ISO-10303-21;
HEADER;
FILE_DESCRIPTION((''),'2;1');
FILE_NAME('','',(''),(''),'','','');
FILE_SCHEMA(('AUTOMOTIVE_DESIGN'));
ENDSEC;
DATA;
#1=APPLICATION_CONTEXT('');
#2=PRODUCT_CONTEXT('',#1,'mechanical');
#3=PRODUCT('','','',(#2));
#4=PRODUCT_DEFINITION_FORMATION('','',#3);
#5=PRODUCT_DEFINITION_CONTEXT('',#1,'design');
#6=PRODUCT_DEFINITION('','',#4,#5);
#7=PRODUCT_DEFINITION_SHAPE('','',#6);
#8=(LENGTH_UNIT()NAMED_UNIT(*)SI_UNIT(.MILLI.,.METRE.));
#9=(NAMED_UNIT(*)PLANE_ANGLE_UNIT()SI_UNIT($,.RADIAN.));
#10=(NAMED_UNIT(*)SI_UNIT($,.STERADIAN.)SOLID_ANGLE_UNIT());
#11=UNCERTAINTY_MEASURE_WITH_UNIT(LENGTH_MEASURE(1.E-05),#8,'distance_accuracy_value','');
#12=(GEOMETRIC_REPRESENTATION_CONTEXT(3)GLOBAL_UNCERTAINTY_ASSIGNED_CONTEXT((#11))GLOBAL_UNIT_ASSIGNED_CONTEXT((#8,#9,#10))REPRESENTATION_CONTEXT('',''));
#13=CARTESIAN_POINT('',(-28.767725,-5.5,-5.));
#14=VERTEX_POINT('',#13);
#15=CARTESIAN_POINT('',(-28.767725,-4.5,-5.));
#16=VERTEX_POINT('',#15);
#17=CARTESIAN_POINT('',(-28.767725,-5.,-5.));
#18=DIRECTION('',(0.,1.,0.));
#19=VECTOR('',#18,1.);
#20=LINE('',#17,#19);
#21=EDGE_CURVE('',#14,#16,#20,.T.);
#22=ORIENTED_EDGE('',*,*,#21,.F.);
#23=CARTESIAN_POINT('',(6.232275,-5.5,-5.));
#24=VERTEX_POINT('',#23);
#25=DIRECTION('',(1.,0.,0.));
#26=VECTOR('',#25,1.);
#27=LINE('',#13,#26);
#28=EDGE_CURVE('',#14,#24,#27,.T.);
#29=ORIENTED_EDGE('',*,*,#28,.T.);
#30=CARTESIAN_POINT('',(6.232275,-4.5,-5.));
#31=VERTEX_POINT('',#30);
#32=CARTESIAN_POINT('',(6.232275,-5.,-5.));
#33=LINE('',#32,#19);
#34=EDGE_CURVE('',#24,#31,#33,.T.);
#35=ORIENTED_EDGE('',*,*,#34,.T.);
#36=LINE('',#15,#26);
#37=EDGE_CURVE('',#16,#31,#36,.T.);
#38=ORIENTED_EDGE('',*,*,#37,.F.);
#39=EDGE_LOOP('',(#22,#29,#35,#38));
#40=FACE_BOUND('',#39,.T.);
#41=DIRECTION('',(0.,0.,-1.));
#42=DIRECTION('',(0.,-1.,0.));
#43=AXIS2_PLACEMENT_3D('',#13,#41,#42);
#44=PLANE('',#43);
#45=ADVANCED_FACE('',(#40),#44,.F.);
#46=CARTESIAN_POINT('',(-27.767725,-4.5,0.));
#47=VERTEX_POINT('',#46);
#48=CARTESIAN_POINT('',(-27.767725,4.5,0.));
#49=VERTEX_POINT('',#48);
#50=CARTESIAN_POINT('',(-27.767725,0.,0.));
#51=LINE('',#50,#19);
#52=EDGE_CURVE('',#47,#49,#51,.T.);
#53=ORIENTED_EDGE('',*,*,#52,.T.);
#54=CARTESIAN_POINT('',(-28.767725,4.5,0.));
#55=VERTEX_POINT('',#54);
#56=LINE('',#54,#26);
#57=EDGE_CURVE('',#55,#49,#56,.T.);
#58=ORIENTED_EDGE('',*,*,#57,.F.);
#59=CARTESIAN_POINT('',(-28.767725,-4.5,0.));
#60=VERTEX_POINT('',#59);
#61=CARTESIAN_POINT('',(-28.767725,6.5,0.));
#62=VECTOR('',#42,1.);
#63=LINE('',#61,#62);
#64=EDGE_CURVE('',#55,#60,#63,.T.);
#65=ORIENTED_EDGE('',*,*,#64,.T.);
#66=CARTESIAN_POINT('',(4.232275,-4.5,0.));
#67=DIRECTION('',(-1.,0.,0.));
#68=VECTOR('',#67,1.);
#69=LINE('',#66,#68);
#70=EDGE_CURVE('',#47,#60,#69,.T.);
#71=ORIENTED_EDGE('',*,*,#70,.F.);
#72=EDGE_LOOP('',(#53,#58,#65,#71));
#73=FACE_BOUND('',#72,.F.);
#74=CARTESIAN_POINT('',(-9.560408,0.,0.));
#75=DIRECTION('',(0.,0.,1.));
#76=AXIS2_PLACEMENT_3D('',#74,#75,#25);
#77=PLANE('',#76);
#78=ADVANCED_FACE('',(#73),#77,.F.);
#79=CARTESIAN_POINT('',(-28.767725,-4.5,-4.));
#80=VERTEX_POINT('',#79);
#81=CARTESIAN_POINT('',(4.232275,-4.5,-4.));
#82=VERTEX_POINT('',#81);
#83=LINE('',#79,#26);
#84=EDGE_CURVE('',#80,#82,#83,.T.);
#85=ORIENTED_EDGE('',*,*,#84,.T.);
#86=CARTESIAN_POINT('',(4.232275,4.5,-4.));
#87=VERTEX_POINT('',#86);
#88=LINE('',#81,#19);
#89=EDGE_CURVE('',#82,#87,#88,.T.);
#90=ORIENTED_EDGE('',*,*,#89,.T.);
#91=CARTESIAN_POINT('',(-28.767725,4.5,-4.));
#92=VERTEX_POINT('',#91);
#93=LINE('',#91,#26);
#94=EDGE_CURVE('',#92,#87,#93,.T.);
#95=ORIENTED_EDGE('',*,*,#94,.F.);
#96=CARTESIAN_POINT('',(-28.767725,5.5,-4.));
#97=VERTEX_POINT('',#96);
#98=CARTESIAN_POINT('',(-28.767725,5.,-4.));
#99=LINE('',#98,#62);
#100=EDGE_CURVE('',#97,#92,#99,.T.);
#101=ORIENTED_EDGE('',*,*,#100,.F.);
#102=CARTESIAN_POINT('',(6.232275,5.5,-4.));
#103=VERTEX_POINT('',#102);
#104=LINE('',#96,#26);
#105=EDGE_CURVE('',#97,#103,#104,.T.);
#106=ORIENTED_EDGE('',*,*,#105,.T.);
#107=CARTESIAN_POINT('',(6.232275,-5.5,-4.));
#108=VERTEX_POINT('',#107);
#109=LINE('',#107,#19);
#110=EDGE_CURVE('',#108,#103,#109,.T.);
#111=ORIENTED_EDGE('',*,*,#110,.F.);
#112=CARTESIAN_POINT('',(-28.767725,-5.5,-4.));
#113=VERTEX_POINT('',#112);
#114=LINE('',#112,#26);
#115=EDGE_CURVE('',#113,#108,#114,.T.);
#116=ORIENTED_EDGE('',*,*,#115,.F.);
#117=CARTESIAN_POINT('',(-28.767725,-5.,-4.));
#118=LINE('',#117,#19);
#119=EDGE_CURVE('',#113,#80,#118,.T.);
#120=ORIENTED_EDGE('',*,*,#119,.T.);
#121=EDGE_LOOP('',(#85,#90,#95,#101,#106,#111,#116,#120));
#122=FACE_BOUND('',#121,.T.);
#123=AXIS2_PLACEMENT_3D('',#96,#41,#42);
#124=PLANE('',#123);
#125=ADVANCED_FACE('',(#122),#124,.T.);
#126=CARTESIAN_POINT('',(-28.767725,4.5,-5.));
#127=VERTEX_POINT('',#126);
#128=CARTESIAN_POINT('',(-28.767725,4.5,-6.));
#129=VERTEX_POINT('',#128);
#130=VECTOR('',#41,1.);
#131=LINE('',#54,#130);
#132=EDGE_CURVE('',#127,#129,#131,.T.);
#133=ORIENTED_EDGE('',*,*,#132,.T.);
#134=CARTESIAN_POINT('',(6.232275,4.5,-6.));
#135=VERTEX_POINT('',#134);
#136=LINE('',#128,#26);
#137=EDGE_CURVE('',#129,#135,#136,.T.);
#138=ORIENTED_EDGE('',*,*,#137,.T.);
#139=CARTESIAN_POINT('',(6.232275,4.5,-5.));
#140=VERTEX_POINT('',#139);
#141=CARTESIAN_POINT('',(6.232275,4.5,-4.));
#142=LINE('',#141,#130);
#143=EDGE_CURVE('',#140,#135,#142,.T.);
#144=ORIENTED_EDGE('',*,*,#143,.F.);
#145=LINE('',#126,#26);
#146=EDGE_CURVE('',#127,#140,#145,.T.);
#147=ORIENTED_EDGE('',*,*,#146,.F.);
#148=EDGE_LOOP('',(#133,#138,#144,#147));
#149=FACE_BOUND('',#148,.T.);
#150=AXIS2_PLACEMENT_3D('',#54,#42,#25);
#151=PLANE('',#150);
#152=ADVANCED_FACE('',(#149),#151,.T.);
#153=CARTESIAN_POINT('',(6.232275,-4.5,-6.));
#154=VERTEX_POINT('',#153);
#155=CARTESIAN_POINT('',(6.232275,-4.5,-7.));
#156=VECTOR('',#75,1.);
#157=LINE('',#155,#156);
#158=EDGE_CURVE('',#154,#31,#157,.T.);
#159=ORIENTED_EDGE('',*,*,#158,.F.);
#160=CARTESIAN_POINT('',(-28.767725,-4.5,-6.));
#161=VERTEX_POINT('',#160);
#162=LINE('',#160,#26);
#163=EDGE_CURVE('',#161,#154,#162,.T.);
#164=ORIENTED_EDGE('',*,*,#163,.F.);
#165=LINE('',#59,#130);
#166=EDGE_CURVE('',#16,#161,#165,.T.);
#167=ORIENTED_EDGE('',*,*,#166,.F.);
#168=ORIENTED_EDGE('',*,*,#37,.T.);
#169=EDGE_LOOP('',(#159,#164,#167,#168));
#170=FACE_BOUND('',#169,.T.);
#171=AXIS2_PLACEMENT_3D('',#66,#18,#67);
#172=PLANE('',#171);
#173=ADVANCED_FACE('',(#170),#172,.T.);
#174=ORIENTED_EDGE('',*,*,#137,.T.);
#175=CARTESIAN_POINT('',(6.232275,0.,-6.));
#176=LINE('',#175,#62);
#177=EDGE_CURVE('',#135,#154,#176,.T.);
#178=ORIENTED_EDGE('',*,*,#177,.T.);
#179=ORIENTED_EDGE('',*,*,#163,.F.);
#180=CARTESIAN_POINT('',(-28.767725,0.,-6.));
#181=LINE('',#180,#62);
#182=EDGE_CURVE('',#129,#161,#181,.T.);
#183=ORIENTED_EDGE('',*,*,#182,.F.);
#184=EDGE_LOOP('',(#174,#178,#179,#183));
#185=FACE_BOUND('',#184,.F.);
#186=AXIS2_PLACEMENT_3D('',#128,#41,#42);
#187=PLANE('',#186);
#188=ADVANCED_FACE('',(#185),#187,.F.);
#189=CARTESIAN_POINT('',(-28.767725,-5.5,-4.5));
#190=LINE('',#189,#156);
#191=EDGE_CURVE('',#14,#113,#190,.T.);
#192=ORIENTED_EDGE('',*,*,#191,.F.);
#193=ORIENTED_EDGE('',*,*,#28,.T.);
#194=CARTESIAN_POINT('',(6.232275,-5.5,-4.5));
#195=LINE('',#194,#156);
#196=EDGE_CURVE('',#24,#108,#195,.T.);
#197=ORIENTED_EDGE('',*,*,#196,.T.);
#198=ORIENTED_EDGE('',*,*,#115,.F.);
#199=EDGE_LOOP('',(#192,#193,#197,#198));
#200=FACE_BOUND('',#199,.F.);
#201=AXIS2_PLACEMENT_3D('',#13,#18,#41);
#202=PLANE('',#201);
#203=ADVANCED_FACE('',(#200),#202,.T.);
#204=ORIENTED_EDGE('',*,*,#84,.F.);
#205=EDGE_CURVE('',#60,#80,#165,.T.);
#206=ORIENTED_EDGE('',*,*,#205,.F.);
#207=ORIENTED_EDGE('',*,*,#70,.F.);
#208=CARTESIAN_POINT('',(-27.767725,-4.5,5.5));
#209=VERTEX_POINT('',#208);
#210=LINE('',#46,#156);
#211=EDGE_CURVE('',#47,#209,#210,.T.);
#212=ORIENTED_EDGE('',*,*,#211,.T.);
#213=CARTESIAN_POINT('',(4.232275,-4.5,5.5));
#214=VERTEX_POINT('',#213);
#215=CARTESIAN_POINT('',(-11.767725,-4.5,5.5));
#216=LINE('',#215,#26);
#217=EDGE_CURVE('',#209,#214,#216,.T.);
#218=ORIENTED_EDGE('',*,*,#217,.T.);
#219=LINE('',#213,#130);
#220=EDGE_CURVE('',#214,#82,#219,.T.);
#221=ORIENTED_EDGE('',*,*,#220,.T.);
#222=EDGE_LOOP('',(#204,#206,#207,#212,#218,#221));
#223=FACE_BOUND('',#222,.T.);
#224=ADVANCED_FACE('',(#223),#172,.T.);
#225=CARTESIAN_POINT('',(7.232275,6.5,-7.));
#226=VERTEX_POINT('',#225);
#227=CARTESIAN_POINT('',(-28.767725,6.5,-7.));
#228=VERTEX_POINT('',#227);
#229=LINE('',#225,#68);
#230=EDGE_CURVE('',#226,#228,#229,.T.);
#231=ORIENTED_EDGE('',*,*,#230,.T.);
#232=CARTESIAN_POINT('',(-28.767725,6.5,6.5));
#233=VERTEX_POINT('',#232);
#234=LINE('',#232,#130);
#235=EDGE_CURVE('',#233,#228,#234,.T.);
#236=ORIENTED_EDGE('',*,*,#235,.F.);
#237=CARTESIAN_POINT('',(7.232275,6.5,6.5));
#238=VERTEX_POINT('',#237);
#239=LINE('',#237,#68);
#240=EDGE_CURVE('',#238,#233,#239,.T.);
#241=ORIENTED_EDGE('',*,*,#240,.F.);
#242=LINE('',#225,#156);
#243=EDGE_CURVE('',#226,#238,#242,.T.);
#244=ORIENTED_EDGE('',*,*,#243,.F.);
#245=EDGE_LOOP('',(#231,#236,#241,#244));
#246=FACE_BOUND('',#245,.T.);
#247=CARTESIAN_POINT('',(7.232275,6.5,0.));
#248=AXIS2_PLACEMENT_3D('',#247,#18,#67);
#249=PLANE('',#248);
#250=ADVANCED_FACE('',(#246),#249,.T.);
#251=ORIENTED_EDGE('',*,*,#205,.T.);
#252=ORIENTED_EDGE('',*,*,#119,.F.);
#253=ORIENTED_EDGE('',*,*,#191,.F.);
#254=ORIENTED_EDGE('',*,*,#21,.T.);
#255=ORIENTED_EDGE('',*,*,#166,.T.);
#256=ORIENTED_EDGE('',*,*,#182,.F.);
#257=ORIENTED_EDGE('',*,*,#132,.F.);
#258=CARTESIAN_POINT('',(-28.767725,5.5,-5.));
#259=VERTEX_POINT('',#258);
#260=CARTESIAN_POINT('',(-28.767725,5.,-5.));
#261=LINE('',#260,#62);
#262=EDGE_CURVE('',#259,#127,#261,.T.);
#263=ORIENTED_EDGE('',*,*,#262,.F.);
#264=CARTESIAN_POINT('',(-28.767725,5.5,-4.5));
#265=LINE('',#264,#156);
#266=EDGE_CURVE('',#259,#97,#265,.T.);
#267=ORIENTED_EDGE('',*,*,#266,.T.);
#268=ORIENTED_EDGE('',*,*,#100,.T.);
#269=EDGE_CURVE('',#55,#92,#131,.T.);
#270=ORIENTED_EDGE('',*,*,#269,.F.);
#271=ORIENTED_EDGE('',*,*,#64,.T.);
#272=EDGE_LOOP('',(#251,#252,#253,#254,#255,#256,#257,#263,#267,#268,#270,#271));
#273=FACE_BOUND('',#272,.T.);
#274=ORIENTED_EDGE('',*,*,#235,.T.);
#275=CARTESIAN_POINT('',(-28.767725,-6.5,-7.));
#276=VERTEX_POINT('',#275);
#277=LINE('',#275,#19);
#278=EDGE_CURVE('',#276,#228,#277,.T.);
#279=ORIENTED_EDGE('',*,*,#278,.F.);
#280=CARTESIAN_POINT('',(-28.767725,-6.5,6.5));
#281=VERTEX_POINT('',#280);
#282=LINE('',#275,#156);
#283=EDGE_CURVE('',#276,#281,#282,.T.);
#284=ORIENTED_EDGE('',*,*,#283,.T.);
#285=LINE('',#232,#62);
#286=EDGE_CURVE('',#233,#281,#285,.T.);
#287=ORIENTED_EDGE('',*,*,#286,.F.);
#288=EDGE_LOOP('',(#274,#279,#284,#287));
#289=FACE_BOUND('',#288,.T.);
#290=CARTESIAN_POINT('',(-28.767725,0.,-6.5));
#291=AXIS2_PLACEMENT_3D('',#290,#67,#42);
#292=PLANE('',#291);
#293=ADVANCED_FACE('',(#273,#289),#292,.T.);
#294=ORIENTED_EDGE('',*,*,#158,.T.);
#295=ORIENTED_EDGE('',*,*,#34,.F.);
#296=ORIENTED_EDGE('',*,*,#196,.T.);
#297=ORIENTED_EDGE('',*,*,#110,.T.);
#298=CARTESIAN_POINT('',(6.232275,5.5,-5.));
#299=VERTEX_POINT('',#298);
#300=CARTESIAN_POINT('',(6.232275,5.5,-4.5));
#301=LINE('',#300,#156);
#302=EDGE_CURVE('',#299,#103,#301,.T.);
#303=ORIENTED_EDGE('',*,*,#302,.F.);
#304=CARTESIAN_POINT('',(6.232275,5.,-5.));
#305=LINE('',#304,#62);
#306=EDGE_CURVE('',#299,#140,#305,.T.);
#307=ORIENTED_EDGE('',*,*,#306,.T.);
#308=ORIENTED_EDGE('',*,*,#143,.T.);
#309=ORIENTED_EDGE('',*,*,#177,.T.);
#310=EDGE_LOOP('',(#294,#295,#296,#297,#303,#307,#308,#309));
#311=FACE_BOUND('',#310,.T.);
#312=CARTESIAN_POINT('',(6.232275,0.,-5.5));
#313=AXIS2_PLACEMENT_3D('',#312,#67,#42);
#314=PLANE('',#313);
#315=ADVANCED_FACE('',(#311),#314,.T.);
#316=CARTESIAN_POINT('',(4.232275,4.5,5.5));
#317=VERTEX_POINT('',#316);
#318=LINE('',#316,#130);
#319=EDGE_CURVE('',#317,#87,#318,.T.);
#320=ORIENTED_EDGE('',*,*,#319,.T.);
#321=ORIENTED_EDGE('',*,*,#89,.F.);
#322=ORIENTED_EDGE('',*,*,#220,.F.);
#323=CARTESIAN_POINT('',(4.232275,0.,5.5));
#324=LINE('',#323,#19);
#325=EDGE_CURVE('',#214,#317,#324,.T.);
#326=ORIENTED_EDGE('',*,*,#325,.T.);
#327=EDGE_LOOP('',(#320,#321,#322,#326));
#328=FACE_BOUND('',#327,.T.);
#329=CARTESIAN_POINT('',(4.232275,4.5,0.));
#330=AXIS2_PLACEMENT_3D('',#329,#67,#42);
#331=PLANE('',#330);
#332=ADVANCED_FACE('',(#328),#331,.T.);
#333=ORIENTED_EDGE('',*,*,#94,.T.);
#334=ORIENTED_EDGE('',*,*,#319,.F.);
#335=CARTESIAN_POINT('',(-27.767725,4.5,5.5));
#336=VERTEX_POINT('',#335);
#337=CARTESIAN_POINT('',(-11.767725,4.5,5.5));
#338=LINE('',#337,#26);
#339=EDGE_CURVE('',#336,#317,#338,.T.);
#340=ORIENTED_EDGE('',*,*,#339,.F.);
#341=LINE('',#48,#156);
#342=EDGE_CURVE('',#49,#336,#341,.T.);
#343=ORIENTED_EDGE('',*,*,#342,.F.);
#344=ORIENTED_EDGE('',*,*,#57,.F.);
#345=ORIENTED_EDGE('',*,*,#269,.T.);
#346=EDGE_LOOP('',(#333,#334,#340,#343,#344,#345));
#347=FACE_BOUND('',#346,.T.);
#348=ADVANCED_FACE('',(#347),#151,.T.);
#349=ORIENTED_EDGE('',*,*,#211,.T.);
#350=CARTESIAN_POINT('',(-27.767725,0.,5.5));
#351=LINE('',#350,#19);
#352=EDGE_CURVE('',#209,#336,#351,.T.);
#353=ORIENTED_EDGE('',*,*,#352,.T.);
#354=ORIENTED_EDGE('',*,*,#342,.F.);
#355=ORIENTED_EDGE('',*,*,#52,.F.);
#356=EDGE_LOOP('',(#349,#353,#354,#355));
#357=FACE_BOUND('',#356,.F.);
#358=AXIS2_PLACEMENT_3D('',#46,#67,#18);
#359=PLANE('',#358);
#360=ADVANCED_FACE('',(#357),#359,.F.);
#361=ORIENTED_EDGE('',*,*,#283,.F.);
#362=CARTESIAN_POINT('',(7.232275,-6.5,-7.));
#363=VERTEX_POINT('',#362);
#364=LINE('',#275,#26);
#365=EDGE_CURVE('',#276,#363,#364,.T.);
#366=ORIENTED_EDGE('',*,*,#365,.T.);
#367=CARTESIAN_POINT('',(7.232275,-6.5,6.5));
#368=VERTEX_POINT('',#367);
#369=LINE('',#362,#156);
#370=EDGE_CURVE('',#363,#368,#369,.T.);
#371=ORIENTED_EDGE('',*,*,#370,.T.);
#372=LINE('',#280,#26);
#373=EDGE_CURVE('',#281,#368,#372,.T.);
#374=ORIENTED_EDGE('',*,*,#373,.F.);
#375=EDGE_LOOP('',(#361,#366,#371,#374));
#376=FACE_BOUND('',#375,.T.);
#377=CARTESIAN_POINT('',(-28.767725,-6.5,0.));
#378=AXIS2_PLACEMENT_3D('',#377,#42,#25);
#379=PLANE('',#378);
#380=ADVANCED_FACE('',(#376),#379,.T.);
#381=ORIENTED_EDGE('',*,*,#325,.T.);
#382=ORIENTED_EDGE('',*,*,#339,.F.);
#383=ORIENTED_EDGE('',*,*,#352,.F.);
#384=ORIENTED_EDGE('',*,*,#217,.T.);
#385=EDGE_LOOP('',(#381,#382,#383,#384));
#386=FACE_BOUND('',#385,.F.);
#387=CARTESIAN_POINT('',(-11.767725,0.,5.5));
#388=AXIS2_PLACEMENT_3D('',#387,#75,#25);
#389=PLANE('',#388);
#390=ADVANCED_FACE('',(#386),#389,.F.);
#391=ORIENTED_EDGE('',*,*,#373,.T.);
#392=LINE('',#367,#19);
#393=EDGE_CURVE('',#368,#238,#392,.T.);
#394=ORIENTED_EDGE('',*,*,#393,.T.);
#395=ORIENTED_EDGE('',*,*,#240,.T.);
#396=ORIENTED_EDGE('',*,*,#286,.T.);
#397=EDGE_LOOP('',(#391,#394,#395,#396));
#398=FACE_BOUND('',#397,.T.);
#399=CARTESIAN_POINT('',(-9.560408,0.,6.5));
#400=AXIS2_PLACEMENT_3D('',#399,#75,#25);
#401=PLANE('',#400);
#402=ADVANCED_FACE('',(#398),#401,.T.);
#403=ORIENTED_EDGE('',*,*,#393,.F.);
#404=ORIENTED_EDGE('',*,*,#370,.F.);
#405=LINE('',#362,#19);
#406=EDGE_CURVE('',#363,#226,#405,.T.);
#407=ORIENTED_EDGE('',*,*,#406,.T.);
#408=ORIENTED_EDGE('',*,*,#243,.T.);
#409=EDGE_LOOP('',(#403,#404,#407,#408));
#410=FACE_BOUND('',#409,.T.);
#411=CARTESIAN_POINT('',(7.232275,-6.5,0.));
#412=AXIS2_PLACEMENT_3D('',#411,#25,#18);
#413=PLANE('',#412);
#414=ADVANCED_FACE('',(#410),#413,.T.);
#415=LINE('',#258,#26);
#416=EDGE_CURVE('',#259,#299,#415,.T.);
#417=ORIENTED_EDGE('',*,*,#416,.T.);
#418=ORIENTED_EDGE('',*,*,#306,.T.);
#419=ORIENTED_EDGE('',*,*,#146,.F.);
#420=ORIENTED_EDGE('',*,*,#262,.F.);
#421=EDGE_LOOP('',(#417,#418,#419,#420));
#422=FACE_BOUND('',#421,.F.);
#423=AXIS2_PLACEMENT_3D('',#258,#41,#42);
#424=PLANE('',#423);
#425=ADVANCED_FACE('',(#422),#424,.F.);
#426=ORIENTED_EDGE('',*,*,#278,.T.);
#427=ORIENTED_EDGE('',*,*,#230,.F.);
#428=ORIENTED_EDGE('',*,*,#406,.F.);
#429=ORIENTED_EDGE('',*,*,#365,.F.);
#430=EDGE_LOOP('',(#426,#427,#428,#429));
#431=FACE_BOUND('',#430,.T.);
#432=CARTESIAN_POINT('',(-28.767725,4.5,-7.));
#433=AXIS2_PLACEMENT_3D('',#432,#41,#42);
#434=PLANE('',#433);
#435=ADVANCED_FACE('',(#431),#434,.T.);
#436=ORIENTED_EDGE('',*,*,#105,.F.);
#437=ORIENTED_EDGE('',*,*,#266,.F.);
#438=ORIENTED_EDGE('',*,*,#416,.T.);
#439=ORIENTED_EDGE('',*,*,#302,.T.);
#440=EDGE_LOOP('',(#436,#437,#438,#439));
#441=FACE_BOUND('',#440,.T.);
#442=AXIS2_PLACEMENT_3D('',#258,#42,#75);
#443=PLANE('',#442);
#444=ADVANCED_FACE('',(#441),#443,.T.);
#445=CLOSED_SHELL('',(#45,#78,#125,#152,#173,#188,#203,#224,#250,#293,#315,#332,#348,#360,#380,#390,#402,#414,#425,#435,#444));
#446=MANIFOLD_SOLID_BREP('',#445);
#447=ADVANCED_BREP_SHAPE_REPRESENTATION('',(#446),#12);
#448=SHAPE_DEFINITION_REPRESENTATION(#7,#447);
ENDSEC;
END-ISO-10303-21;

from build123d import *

# Parameters (mm, degrees)
F0_W     = 32
F0_H     = 9
F0_W_2   = 1
F1_DEPTH = 6.5
F2_DEPTH = 5.5
F3_DEPTH = 7
F4_W     = 1
F4_H     = 1
F5_DEPTH = 35
F8_DEPTH = 2
F4_W_2   = 9
F9_DEPTH = 35


with BuildPart() as f1:
    # F0 (on Top) → F1 (new body)
    with BuildSketch(Plane.XY):
        Polygon((4.2322745472, -4.5), (-27.7677254528, -4.5), (-28.7677254528, -4.5), (-28.7677254528, -6.5), (7.2322745472, -6.5), (7.2322745472, 6.5), (-28.7677254528, 6.5), (-28.7677254528, 4.5), (-27.7677254528, 4.5), (4.2322745472, 4.5), align=None)
        with Locations((-11.7677254528, 0)):
            Rectangle(F0_W, F0_H)
        with Locations((-28.2677254528, 0)):
            Rectangle(F0_W_2, F0_H)
    extrude(amount=F1_DEPTH)

    # F0 (on Top) → F2 (cut)
    with BuildSketch(Plane.XY):
        with Locations((-11.7677254528, 0)):
            Rectangle(F0_W, F0_H)
    extrude(amount=F2_DEPTH, mode=Mode.SUBTRACT)

    # F0 (on Top) → F3 (join)
    with BuildSketch(Plane.XY):
        Polygon((4.2322745472, -4.5), (-27.7677254528, -4.5), (-28.7677254528, -4.5), (-28.7677254528, -6.5), (7.2322745472, -6.5), (7.2322745472, 6.5), (-28.7677254528, 6.5), (-28.7677254528, 4.5), (-27.7677254528, 4.5), (4.2322745472, 4.5), align=None)
    extrude(amount=-F3_DEPTH)

    # F4 (on face) → F5 (cut)
    with BuildSketch(Plane(origin=(-28.7677254528, 0, 0), x_dir=(0, -1, 0), z_dir=(-1, 0, 0))):
        with Locations((-5, -4.5)):
            Rectangle(F4_W, F4_H)
    extrude(amount=-F5_DEPTH, mode=Mode.SUBTRACT)

    # F6: F1 across plane


with BuildPart() as f1_1:
    add(f1.part)
    add(f1.part.mirror(Plane.XZ), mode=Mode.INTERSECT)

    # F7 (on face) → F8 (cut)
    with BuildSketch(Plane(origin=(4.2322745472, 0, 0), x_dir=(0, -1, 0), z_dir=(-1, 0, 0))):
        Polygon((4.5, -4), (-4.5, -4), (-4.5, -5), (-4.5, -7), (4.5, -7), (4.5, -5), align=None)
    extrude(amount=-F8_DEPTH, mode=Mode.SUBTRACT)

    # F4 (on face) → F9 (join, through all)
    with BuildSketch(Plane(origin=(-28.7677254528, 0, 0), x_dir=(0, -1, 0), z_dir=(-1, 0, 0))):
        with Locations((0, -6.5)):
            Rectangle(F4_W_2, F4_H)
    extrude(amount=-F9_DEPTH)


solid = f1_1.part
